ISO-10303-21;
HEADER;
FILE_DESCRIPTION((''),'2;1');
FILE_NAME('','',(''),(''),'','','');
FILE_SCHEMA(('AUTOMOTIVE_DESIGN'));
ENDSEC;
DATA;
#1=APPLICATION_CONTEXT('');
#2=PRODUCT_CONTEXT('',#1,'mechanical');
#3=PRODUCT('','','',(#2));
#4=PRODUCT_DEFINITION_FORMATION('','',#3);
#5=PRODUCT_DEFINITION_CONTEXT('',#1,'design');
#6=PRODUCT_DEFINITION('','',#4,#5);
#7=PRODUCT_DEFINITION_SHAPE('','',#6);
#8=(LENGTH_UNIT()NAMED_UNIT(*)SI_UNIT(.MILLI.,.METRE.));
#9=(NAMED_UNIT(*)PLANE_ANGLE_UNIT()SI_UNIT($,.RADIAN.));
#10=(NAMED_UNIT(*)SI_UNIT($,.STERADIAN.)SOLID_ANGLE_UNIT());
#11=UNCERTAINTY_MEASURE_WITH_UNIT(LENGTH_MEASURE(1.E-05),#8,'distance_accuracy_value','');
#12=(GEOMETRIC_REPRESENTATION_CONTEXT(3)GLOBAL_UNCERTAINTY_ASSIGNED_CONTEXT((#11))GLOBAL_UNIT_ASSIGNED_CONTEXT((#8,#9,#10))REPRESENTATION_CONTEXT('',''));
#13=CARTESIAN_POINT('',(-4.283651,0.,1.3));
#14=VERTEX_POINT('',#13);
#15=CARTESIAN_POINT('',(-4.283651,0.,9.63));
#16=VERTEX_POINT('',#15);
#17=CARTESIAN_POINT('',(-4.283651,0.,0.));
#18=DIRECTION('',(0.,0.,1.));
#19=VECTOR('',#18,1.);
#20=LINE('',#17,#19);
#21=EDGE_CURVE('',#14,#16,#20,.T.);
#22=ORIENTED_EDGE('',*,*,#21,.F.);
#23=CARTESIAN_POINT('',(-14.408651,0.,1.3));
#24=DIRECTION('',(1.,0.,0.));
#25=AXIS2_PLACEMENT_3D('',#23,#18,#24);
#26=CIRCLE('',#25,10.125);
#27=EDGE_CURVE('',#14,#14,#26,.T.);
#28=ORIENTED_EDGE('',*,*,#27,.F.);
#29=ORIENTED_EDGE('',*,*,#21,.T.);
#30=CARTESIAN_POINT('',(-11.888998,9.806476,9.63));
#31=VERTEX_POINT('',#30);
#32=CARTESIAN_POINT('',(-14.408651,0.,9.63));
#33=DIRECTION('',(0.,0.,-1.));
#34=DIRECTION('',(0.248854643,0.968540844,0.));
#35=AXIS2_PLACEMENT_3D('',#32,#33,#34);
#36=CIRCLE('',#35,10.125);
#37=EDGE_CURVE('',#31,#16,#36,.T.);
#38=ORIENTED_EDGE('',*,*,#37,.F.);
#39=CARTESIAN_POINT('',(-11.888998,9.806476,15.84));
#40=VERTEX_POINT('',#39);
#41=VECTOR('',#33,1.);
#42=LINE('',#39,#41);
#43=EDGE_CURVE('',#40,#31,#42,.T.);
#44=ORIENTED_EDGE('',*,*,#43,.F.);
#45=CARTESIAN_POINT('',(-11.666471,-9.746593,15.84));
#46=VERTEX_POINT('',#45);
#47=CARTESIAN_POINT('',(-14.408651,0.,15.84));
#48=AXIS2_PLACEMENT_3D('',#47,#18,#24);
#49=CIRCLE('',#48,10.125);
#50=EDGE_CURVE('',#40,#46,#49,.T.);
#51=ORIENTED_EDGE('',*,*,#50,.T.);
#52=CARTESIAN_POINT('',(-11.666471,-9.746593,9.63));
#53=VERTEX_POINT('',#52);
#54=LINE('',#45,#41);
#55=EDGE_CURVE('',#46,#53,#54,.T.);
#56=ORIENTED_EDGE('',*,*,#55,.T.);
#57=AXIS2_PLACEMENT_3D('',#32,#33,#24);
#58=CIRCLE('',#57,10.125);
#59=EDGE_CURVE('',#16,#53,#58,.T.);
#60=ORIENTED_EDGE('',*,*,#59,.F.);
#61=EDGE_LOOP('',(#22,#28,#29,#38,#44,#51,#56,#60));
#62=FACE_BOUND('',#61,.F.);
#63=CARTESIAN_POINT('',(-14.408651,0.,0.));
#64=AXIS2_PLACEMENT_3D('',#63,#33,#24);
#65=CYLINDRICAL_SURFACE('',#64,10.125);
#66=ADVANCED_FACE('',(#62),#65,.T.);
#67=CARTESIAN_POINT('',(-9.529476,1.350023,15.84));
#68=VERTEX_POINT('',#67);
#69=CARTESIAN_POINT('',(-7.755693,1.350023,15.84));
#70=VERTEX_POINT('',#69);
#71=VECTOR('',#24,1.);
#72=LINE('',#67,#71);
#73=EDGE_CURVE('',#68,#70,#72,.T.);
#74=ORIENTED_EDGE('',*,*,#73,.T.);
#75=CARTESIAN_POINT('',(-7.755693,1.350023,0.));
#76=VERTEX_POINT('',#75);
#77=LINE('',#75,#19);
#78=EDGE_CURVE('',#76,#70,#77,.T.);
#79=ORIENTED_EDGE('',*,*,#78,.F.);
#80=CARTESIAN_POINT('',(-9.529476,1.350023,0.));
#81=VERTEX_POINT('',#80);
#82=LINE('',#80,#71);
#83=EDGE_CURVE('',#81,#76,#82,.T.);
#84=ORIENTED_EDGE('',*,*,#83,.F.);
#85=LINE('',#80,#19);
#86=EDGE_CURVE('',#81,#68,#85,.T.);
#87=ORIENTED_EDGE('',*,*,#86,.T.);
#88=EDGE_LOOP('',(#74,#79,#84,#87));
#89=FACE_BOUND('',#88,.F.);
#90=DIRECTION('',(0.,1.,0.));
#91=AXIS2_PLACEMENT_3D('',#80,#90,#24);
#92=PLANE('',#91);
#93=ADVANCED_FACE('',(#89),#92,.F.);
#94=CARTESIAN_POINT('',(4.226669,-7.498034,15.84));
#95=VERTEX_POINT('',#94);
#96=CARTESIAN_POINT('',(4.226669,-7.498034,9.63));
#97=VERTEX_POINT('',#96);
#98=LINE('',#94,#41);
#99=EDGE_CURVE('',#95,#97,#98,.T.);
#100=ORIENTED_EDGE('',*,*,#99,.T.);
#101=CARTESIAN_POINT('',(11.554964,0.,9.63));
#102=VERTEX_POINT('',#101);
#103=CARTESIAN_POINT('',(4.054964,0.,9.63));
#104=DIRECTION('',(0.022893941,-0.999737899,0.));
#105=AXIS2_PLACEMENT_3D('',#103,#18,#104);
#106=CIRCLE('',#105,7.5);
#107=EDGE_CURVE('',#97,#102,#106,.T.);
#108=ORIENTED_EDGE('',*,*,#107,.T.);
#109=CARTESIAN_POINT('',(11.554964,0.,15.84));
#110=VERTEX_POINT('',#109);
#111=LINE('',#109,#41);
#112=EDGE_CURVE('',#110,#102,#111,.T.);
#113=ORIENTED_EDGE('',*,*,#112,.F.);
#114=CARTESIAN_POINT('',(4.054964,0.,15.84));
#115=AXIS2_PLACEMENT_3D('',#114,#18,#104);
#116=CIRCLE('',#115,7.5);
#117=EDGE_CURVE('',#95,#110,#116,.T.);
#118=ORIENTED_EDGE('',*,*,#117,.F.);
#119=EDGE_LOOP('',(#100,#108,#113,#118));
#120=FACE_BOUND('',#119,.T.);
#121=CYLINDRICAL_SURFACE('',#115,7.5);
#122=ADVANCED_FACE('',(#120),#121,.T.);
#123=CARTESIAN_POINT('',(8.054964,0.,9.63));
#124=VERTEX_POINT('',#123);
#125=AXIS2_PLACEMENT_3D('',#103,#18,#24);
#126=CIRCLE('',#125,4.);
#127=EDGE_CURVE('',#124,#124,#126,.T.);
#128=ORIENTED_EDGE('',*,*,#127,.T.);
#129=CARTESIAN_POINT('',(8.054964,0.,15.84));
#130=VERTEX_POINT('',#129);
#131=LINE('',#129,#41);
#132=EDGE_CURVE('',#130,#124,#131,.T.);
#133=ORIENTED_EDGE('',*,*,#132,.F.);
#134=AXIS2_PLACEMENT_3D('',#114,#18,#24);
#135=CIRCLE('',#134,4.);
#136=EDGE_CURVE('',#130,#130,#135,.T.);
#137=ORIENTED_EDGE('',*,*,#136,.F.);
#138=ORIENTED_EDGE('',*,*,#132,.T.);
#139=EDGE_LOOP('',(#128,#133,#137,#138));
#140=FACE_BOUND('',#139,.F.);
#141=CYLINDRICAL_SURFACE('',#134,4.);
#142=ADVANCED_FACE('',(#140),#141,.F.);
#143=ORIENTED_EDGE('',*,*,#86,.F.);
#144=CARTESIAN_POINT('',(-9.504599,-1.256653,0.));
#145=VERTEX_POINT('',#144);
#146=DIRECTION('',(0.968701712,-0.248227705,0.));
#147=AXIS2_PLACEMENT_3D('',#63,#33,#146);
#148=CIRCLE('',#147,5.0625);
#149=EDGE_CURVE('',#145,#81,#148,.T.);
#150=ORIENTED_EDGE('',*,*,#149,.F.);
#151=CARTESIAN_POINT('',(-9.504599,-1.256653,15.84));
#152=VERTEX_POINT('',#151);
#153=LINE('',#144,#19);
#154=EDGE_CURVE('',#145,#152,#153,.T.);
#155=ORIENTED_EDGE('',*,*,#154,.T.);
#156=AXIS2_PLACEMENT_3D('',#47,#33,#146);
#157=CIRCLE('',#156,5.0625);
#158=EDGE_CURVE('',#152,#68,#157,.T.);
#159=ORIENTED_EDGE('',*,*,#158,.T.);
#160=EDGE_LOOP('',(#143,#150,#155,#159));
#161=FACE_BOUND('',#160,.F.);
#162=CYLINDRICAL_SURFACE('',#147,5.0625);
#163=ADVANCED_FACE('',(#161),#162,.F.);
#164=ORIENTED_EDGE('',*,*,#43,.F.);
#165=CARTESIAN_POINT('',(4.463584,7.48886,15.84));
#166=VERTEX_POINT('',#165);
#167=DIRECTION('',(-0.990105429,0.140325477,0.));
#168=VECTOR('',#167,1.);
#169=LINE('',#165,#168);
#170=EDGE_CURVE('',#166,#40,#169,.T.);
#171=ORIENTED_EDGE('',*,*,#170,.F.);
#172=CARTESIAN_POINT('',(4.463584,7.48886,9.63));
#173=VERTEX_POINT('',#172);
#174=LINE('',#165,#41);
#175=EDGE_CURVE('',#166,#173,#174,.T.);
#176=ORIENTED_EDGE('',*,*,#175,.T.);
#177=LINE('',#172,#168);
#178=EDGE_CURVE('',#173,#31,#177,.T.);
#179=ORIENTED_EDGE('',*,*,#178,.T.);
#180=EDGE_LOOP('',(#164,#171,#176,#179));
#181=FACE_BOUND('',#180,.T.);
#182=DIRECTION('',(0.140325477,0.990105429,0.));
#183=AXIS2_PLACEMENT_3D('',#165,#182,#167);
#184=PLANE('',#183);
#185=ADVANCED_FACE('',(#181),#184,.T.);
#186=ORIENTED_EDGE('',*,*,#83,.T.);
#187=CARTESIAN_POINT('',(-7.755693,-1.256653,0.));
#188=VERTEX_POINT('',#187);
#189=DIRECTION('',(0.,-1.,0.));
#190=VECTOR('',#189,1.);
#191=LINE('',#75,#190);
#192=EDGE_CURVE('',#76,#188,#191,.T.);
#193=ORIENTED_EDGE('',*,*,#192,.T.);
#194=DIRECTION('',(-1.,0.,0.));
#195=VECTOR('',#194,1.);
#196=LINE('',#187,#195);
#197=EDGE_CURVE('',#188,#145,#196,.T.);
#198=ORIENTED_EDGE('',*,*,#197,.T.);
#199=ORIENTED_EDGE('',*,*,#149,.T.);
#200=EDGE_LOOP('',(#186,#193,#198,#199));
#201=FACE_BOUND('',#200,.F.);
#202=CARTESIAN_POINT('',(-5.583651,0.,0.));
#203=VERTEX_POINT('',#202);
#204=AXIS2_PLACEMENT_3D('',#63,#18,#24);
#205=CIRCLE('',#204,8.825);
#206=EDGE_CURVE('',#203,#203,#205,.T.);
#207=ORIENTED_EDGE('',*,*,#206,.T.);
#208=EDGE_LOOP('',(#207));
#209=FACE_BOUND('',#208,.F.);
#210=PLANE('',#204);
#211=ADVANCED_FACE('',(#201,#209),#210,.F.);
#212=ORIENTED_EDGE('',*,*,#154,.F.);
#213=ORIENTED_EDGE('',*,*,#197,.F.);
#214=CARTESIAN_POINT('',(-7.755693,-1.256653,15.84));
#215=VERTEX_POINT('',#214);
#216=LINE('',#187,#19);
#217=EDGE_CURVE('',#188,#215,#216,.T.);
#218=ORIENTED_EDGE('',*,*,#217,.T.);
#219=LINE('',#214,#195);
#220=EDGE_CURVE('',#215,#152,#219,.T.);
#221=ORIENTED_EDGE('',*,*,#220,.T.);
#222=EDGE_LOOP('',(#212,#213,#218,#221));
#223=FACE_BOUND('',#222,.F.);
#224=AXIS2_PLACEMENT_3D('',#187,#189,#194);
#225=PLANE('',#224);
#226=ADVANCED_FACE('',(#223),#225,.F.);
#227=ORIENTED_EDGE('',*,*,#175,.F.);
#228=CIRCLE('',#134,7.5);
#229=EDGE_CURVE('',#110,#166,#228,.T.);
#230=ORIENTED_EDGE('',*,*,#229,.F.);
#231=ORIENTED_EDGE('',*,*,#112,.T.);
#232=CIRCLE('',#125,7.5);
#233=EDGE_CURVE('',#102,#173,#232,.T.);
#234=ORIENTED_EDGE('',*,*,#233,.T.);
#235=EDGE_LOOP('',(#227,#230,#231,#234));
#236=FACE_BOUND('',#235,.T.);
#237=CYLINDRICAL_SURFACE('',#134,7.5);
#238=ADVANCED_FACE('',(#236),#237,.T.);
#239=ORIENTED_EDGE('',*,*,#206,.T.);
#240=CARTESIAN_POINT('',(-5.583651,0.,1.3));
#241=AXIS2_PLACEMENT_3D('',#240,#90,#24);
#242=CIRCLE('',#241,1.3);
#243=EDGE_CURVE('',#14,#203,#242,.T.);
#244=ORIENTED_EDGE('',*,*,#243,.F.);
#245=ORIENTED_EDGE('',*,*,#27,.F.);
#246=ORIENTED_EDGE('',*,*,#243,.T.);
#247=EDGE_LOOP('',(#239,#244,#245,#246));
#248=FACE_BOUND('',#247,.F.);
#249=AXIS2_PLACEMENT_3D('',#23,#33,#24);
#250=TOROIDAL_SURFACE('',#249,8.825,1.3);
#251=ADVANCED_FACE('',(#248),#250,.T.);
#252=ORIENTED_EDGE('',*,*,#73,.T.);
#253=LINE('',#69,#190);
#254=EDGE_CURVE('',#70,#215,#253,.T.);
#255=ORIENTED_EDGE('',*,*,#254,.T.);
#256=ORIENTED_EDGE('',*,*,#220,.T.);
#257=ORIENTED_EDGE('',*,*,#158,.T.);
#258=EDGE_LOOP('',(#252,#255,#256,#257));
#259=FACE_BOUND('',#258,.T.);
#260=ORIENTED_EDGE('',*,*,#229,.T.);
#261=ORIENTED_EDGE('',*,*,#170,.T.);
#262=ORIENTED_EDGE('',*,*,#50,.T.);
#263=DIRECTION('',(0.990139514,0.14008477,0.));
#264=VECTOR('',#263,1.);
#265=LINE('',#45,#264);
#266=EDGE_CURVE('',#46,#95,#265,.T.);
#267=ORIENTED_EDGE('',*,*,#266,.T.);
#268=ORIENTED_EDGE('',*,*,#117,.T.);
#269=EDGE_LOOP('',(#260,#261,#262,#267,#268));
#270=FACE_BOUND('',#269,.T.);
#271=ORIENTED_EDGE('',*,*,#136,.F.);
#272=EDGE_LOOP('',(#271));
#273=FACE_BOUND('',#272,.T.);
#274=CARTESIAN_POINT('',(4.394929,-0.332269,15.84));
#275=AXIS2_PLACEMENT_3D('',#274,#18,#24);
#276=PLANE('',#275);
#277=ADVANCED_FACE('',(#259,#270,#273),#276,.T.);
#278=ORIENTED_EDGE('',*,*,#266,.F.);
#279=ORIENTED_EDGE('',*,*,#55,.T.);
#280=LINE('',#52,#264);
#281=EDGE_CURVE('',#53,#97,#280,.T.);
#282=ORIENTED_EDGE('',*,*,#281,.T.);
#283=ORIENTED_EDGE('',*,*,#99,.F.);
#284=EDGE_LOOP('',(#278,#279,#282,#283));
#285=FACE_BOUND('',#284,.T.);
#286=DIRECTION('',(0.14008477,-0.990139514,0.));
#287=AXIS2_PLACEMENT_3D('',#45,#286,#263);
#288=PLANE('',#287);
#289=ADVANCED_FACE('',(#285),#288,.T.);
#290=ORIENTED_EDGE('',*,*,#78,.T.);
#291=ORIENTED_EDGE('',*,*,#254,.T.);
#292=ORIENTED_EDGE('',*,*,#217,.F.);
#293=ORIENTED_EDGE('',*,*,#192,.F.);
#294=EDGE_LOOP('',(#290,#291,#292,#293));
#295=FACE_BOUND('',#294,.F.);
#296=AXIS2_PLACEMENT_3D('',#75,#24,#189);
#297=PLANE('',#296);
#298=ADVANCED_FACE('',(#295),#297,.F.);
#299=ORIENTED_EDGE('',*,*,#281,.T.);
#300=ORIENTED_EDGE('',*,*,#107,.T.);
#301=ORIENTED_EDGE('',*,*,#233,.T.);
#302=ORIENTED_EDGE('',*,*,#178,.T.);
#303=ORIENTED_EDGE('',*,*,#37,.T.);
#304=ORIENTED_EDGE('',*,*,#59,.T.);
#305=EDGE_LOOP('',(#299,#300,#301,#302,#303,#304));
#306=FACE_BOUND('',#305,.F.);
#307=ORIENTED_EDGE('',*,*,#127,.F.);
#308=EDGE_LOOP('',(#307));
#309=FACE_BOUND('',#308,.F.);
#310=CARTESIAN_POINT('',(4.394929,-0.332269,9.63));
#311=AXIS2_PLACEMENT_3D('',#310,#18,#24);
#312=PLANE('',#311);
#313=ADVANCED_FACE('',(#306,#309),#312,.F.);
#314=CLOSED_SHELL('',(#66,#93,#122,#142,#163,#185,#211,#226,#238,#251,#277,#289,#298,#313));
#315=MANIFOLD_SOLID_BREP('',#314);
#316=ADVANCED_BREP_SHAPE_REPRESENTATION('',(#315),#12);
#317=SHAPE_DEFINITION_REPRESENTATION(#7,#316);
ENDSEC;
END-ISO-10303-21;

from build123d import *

# Parameters (mm, degrees)
F0_R     = 10.125
F1_DEPTH = 15.84
F2_R     = 4
F3_DEPTH = 6.21
F4_R     = 1.3


with BuildPart() as f1:
    # F0 (on Top) → F1 (new body)
    with BuildSketch(Plane.XY):
        with Locations((-14.4086510164, 0)):
            Circle(F0_R)
        with BuildLine():
            ThreePointArc((-9.5045986008, -1.2566527585), (-19.4709204703, -0.0483138353), (-9.529476475, 1.3500229791))
            Line((-9.529476475, 1.3500229791), (-7.7556929707, 1.3500229791))
            Line((-7.7556929707, 1.3500229791), (-7.7556929707, -1.2566527585))
            Line((-7.7556929707, -1.2566527585), (-9.5045986008, -1.2566527585))
        make_face(mode=Mode.SUBTRACT)
    extrude(amount=F1_DEPTH)

    # F2 (on face) → F3 (join)
    with BuildSketch(Plane.XY.offset(15.84)):
        with BuildLine():
            ThreePointArc((4.2266686103, -7.4980342454), (9.4186281084, -5.2422426418), (11.5549640544, 0))
            ThreePointArc((11.5549640544, 0), (9.500818026, 5.1568085595), (4.4635841825, 7.4888603666))
            ThreePointArc((4.4635841825, 7.4888603666), (-3.4440990013, 0.1185465609), (4.2266686103, -7.4980342454))
        make_face()
        with Locations((4.0549640544, 0)):
            Circle(F2_R, mode=Mode.SUBTRACT)
        with BuildLine():
            ThreePointArc((4.2266686103, -7.4980342454), (-3.4440990013, 0.1185465609), (4.4635841825, 7.4888603666))
            Line((4.4635841825, 7.4888603666), (-11.8889977578, 9.8064760468))
            ThreePointArc((-11.8889977578, 9.8064760468), (-6.4078037412, 6.2050034551), (-4.2836510164, 0))
            ThreePointArc((-4.2836510164, 0), (-6.3377093937, -6.113552676), (-11.6664710308, -9.7465929394))
            Line((-11.6664710308, -9.7465929394), (4.2266686103, -7.4980342454))
        make_face()
    extrude(amount=-F3_DEPTH)

    # F4
    f4_edges = [f1.edges().sort_by_distance(p)[0] for p in [
        (-24.533651, 0, 0),
    ]]
    fillet(f4_edges, radius=F4_R)


solid = f1.part
